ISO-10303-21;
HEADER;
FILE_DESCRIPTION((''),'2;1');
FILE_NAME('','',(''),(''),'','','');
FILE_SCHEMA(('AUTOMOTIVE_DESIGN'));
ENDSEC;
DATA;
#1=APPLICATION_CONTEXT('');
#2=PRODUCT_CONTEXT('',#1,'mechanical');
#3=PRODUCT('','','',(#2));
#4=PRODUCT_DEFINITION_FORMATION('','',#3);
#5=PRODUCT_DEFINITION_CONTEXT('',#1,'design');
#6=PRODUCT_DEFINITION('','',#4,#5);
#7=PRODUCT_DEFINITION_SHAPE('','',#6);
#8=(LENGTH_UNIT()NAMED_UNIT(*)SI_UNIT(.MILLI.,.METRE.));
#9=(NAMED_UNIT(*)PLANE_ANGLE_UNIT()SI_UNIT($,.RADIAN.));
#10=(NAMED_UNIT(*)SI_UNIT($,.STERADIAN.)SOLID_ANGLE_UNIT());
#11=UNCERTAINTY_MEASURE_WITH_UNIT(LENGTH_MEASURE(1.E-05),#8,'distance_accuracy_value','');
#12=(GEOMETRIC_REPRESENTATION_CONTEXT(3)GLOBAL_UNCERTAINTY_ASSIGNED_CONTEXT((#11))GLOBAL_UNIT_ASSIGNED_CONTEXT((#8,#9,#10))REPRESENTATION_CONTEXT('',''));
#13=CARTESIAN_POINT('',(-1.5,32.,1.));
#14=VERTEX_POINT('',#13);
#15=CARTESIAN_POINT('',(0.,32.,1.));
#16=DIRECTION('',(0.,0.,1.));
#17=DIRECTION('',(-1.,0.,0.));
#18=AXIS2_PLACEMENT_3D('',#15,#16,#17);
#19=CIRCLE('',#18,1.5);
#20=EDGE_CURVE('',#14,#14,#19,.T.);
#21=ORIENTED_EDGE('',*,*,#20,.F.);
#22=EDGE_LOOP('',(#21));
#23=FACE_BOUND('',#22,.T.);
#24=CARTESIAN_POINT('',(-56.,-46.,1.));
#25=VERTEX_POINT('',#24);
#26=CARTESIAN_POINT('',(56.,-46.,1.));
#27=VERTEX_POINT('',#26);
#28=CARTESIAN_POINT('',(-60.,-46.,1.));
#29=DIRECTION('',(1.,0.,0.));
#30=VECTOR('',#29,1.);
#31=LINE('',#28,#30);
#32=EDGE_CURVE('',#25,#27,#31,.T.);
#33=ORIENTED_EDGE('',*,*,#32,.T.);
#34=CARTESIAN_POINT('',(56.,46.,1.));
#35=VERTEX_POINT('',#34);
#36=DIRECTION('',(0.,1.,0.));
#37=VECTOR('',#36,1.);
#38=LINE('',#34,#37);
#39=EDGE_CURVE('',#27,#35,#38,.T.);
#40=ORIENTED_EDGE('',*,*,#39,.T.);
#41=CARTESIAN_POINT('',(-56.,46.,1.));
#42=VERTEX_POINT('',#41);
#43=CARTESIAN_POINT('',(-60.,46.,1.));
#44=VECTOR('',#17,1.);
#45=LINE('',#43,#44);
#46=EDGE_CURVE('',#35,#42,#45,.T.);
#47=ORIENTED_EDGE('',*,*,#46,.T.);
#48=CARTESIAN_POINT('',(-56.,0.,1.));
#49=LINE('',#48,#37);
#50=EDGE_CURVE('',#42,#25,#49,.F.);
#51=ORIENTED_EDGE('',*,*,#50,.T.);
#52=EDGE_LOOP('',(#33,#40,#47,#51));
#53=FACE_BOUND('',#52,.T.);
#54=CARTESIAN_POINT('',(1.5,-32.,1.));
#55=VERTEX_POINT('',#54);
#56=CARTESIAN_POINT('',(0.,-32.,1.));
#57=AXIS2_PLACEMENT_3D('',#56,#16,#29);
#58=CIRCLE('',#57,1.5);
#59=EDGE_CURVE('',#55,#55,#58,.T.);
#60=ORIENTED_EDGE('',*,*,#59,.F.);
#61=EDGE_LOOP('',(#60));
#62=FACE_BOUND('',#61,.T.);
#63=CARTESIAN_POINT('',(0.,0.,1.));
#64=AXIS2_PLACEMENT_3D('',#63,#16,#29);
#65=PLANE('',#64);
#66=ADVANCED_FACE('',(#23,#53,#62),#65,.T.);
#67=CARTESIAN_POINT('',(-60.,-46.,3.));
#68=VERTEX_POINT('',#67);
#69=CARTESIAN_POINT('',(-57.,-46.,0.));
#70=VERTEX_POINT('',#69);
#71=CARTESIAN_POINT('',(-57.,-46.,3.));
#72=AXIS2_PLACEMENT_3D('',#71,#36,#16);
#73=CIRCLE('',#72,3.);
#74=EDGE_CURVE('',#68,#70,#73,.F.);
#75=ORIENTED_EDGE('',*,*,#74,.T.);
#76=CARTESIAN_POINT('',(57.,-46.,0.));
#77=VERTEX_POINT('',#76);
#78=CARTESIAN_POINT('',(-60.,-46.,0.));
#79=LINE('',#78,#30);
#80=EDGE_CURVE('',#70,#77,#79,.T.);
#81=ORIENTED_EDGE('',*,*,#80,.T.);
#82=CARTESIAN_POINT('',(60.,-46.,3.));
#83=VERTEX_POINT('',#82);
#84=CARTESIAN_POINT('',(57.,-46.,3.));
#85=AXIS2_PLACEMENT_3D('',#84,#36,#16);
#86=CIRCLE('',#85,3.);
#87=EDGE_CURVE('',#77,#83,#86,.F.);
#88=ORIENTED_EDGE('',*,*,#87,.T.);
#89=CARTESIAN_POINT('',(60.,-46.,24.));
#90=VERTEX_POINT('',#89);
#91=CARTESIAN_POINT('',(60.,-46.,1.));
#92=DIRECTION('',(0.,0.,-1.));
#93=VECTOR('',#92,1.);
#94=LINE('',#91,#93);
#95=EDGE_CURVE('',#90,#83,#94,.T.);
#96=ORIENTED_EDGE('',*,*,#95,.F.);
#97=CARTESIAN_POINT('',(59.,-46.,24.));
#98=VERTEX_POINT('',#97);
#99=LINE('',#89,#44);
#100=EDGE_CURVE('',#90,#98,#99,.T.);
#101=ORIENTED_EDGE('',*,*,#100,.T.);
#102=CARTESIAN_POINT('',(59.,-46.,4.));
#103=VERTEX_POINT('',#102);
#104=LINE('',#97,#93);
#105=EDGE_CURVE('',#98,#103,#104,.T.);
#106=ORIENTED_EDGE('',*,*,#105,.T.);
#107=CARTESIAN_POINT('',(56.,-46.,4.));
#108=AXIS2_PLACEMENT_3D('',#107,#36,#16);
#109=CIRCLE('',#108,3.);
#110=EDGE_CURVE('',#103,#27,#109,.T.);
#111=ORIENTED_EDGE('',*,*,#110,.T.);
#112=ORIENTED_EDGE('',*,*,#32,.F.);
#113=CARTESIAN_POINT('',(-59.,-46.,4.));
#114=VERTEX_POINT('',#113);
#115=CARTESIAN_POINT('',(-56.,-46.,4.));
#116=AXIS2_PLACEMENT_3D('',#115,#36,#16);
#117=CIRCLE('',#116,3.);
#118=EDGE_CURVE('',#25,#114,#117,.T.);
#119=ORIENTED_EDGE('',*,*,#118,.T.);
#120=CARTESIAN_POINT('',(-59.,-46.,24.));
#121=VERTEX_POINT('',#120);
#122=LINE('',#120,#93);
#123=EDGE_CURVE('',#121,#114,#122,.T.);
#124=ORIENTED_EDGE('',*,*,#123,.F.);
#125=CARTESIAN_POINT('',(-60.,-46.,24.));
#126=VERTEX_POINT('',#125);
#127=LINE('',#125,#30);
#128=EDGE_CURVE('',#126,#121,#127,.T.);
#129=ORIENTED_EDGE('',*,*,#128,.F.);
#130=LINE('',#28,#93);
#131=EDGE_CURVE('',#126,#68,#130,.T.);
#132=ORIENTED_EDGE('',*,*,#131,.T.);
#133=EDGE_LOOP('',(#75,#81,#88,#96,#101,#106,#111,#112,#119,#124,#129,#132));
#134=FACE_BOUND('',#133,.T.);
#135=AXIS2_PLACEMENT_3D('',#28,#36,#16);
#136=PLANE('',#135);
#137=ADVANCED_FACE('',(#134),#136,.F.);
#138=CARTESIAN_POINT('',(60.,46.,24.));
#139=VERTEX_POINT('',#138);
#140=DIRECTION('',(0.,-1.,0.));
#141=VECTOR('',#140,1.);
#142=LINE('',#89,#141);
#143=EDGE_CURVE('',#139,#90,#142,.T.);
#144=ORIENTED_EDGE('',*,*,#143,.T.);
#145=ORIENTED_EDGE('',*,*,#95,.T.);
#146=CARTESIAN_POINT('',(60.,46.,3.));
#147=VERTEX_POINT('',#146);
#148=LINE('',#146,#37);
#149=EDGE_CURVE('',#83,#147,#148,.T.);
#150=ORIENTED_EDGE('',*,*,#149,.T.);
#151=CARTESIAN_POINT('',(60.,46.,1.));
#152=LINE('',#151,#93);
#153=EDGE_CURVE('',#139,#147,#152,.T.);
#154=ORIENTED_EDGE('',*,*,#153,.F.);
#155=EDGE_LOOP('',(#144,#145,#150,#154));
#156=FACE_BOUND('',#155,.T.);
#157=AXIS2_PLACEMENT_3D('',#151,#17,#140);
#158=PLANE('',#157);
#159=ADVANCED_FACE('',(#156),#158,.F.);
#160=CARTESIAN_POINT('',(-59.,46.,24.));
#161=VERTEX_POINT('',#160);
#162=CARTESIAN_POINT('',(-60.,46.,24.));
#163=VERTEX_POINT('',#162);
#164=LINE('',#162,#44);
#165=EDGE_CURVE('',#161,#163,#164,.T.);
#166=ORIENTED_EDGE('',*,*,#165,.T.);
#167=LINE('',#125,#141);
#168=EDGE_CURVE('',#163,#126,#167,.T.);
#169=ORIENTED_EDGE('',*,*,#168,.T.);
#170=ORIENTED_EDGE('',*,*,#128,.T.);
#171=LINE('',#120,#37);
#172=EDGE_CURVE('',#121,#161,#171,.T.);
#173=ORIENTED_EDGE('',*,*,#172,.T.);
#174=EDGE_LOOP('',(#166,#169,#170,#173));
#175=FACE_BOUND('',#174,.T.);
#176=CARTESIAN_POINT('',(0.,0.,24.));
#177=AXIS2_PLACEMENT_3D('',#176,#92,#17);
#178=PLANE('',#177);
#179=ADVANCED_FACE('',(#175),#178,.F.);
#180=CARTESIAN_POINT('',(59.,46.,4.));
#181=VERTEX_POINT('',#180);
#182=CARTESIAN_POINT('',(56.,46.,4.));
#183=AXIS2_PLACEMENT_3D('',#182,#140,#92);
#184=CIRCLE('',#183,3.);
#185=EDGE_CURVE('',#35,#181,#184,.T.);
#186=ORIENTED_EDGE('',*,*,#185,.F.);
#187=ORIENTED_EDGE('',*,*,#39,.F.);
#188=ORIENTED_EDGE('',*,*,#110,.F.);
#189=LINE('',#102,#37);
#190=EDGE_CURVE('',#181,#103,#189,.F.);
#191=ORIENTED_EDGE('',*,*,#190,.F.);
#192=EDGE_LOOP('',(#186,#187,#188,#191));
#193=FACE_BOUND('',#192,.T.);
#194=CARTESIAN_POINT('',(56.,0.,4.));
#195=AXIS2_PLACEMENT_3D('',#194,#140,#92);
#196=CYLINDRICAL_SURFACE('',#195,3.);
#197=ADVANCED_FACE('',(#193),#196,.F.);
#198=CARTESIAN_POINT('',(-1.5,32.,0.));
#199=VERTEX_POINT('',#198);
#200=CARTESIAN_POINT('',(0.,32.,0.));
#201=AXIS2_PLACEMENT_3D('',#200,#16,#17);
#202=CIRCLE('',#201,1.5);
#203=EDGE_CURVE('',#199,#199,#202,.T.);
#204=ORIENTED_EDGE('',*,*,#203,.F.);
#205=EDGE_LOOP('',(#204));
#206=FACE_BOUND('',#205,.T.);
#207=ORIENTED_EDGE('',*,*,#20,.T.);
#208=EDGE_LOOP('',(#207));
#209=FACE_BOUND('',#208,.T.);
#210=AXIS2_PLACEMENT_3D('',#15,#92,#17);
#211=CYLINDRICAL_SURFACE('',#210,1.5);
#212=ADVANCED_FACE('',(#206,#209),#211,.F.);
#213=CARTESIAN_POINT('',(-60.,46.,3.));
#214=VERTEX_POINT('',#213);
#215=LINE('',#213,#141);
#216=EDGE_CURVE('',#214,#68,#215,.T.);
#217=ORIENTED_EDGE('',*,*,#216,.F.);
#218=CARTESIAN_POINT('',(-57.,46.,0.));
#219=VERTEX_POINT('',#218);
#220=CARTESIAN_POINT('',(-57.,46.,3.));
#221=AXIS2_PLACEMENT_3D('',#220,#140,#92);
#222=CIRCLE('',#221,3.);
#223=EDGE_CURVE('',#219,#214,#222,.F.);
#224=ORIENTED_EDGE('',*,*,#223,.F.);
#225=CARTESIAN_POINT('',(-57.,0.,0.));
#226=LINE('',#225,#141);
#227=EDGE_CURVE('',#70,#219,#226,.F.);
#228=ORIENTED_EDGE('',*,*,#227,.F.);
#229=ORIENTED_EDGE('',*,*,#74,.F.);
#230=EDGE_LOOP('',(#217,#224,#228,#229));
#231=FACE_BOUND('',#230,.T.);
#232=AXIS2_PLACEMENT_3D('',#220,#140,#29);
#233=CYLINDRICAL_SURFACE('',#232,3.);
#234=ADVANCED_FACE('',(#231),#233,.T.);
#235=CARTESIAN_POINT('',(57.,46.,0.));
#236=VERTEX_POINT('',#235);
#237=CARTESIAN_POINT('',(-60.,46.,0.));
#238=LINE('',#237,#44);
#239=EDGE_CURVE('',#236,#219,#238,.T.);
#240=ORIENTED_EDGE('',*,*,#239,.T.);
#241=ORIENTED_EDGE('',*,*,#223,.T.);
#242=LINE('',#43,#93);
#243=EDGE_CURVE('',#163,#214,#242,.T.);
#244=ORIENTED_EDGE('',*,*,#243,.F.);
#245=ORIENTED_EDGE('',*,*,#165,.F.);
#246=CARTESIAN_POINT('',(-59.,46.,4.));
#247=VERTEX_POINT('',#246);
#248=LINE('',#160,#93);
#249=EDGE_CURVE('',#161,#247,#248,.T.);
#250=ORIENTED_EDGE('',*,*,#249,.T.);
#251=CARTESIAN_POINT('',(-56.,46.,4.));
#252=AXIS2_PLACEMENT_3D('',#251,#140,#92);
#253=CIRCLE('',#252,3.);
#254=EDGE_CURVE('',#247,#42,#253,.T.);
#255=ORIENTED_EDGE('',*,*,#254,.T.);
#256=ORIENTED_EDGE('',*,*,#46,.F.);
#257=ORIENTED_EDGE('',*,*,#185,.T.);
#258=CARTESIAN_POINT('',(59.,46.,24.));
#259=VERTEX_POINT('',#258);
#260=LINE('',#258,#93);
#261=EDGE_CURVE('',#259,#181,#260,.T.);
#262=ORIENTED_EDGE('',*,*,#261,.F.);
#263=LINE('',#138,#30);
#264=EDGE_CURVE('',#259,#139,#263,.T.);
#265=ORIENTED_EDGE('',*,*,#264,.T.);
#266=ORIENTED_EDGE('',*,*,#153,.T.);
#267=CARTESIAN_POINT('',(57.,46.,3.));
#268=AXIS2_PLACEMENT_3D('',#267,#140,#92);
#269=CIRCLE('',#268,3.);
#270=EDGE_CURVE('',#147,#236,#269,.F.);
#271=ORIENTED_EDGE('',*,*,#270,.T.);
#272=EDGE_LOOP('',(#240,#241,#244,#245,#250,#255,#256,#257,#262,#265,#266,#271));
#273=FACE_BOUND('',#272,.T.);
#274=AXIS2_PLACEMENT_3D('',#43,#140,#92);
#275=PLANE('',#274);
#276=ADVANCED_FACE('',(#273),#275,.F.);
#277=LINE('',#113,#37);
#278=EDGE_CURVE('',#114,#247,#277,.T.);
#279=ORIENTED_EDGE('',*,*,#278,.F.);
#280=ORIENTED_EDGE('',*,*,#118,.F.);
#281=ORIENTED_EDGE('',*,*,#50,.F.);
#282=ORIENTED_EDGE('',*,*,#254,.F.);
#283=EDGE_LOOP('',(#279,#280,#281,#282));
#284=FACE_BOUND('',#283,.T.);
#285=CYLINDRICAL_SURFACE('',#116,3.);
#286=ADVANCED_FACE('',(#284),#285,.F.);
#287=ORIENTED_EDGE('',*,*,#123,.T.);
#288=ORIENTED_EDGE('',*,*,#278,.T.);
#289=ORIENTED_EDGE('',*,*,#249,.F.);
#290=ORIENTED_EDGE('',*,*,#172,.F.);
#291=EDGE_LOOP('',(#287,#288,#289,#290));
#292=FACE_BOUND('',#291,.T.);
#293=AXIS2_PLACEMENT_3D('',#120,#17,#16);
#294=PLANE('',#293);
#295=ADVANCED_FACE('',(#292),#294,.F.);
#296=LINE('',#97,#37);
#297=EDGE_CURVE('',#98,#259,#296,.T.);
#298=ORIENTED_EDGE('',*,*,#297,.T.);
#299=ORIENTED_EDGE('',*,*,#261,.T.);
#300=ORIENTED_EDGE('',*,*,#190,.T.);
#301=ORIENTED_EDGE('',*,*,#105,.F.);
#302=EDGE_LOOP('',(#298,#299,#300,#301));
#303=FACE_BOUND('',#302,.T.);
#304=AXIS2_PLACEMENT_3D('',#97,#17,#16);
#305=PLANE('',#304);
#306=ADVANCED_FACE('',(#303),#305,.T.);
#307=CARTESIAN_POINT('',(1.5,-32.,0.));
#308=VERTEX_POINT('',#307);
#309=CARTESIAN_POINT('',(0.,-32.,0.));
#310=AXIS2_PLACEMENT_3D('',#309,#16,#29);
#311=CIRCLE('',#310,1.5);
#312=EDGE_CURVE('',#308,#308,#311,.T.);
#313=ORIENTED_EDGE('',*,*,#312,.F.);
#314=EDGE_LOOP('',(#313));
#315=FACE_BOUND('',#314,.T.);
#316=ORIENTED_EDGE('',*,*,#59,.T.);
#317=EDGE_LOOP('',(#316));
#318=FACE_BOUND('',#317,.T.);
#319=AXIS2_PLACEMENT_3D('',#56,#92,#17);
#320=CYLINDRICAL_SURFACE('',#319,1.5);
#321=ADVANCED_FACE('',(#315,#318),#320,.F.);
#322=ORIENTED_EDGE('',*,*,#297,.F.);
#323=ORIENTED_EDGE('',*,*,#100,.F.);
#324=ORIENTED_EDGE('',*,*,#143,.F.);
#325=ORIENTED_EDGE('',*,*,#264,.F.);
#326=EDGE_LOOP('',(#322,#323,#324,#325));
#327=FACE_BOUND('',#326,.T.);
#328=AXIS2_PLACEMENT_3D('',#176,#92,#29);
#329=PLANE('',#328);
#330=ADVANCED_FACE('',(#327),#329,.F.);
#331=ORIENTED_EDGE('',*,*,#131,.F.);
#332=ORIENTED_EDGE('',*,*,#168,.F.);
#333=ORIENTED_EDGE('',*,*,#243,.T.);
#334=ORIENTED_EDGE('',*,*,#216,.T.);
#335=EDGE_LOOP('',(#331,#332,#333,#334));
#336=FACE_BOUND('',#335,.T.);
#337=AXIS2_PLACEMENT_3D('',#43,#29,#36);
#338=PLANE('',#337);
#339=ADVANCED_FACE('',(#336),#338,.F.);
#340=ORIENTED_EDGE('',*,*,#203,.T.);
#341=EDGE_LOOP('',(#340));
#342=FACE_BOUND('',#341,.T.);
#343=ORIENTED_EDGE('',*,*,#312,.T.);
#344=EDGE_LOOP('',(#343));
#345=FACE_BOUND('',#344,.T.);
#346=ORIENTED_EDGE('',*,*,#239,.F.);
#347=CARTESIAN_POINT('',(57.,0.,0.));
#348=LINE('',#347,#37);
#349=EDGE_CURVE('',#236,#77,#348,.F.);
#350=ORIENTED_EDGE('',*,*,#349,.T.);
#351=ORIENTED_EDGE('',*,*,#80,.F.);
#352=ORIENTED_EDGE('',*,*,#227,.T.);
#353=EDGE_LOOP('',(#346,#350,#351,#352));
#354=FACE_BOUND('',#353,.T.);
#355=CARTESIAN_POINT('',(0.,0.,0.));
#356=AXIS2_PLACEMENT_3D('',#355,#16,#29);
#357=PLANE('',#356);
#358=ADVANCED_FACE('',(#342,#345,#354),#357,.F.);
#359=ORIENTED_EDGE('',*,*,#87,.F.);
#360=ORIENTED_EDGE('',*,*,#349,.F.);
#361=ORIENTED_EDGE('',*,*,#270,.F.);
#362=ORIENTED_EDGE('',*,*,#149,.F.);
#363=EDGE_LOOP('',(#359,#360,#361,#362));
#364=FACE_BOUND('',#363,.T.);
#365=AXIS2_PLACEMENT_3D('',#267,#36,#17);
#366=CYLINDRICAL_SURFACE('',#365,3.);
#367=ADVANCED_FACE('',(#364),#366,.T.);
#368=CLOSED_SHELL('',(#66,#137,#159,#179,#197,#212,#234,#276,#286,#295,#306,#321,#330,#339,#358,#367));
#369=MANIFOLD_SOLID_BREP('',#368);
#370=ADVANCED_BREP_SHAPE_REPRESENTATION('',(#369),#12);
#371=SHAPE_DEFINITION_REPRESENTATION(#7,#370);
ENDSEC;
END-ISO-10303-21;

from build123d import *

# Parameters (mm, degrees)
SKETCH1_W           = 120
SKETCH1_H           = 92
SKETCH1_R           = 1.5
BOSS_EXTRUDE1_DEPTH = 1
SKETCH2_W           = 1
SKETCH2_H           = 92
BOSS_EXTRUDE2_DEPTH = 23
FILLET1_R           = 3
FILLET2_R           = 3
FILLET3_R           = 3


with BuildPart() as part:
    # Sketch1 → Boss-Extrude1 (new body)
    with BuildSketch(Plane.XY):
        Rectangle(SKETCH1_W, SKETCH1_H)
        with Locations((0, -32)):
            Circle(SKETCH1_R, mode=Mode.SUBTRACT)
        with Locations(Location((0, 32, 0), (0, 0, 180))):
            Circle(SKETCH1_R, mode=Mode.SUBTRACT)
    extrude(amount=BOSS_EXTRUDE1_DEPTH)

    # Sketch2 → Boss-Extrude2 (add)
    with BuildSketch(Plane.XY.offset(1)):
        with Locations((-59.5, 0)):
            Rectangle(SKETCH2_W, SKETCH2_H)
    boss_extrude2 = extrude(amount=BOSS_EXTRUDE2_DEPTH)

    # Fillet1
    fillet1_edges = [part.edges().sort_by_distance(p)[0] for p in [
        (-60, 0, 0),
    ]]
    fillet(fillet1_edges, radius=FILLET1_R)

    # Fillet2
    fillet2_edges = [part.edges().sort_by_distance(p)[0] for p in [
        (-59, 0, 1),
    ]]
    fillet(fillet2_edges, radius=FILLET2_R)

    # Mirror3: Boss-Extrude2 across plane
    add(boss_extrude2.mirror(Plane(origin=(0, 0, 0), x_dir=(0, 0, 1), z_dir=(1, 0, 0))))

    # Fillet3
    fillet3_edges = [part.edges().sort_by_distance(p)[0] for p in [
        (59, 0, 1),
        (60, 0, 0),
    ]]
    fillet(fillet3_edges, radius=FILLET3_R)


solid = part.part
